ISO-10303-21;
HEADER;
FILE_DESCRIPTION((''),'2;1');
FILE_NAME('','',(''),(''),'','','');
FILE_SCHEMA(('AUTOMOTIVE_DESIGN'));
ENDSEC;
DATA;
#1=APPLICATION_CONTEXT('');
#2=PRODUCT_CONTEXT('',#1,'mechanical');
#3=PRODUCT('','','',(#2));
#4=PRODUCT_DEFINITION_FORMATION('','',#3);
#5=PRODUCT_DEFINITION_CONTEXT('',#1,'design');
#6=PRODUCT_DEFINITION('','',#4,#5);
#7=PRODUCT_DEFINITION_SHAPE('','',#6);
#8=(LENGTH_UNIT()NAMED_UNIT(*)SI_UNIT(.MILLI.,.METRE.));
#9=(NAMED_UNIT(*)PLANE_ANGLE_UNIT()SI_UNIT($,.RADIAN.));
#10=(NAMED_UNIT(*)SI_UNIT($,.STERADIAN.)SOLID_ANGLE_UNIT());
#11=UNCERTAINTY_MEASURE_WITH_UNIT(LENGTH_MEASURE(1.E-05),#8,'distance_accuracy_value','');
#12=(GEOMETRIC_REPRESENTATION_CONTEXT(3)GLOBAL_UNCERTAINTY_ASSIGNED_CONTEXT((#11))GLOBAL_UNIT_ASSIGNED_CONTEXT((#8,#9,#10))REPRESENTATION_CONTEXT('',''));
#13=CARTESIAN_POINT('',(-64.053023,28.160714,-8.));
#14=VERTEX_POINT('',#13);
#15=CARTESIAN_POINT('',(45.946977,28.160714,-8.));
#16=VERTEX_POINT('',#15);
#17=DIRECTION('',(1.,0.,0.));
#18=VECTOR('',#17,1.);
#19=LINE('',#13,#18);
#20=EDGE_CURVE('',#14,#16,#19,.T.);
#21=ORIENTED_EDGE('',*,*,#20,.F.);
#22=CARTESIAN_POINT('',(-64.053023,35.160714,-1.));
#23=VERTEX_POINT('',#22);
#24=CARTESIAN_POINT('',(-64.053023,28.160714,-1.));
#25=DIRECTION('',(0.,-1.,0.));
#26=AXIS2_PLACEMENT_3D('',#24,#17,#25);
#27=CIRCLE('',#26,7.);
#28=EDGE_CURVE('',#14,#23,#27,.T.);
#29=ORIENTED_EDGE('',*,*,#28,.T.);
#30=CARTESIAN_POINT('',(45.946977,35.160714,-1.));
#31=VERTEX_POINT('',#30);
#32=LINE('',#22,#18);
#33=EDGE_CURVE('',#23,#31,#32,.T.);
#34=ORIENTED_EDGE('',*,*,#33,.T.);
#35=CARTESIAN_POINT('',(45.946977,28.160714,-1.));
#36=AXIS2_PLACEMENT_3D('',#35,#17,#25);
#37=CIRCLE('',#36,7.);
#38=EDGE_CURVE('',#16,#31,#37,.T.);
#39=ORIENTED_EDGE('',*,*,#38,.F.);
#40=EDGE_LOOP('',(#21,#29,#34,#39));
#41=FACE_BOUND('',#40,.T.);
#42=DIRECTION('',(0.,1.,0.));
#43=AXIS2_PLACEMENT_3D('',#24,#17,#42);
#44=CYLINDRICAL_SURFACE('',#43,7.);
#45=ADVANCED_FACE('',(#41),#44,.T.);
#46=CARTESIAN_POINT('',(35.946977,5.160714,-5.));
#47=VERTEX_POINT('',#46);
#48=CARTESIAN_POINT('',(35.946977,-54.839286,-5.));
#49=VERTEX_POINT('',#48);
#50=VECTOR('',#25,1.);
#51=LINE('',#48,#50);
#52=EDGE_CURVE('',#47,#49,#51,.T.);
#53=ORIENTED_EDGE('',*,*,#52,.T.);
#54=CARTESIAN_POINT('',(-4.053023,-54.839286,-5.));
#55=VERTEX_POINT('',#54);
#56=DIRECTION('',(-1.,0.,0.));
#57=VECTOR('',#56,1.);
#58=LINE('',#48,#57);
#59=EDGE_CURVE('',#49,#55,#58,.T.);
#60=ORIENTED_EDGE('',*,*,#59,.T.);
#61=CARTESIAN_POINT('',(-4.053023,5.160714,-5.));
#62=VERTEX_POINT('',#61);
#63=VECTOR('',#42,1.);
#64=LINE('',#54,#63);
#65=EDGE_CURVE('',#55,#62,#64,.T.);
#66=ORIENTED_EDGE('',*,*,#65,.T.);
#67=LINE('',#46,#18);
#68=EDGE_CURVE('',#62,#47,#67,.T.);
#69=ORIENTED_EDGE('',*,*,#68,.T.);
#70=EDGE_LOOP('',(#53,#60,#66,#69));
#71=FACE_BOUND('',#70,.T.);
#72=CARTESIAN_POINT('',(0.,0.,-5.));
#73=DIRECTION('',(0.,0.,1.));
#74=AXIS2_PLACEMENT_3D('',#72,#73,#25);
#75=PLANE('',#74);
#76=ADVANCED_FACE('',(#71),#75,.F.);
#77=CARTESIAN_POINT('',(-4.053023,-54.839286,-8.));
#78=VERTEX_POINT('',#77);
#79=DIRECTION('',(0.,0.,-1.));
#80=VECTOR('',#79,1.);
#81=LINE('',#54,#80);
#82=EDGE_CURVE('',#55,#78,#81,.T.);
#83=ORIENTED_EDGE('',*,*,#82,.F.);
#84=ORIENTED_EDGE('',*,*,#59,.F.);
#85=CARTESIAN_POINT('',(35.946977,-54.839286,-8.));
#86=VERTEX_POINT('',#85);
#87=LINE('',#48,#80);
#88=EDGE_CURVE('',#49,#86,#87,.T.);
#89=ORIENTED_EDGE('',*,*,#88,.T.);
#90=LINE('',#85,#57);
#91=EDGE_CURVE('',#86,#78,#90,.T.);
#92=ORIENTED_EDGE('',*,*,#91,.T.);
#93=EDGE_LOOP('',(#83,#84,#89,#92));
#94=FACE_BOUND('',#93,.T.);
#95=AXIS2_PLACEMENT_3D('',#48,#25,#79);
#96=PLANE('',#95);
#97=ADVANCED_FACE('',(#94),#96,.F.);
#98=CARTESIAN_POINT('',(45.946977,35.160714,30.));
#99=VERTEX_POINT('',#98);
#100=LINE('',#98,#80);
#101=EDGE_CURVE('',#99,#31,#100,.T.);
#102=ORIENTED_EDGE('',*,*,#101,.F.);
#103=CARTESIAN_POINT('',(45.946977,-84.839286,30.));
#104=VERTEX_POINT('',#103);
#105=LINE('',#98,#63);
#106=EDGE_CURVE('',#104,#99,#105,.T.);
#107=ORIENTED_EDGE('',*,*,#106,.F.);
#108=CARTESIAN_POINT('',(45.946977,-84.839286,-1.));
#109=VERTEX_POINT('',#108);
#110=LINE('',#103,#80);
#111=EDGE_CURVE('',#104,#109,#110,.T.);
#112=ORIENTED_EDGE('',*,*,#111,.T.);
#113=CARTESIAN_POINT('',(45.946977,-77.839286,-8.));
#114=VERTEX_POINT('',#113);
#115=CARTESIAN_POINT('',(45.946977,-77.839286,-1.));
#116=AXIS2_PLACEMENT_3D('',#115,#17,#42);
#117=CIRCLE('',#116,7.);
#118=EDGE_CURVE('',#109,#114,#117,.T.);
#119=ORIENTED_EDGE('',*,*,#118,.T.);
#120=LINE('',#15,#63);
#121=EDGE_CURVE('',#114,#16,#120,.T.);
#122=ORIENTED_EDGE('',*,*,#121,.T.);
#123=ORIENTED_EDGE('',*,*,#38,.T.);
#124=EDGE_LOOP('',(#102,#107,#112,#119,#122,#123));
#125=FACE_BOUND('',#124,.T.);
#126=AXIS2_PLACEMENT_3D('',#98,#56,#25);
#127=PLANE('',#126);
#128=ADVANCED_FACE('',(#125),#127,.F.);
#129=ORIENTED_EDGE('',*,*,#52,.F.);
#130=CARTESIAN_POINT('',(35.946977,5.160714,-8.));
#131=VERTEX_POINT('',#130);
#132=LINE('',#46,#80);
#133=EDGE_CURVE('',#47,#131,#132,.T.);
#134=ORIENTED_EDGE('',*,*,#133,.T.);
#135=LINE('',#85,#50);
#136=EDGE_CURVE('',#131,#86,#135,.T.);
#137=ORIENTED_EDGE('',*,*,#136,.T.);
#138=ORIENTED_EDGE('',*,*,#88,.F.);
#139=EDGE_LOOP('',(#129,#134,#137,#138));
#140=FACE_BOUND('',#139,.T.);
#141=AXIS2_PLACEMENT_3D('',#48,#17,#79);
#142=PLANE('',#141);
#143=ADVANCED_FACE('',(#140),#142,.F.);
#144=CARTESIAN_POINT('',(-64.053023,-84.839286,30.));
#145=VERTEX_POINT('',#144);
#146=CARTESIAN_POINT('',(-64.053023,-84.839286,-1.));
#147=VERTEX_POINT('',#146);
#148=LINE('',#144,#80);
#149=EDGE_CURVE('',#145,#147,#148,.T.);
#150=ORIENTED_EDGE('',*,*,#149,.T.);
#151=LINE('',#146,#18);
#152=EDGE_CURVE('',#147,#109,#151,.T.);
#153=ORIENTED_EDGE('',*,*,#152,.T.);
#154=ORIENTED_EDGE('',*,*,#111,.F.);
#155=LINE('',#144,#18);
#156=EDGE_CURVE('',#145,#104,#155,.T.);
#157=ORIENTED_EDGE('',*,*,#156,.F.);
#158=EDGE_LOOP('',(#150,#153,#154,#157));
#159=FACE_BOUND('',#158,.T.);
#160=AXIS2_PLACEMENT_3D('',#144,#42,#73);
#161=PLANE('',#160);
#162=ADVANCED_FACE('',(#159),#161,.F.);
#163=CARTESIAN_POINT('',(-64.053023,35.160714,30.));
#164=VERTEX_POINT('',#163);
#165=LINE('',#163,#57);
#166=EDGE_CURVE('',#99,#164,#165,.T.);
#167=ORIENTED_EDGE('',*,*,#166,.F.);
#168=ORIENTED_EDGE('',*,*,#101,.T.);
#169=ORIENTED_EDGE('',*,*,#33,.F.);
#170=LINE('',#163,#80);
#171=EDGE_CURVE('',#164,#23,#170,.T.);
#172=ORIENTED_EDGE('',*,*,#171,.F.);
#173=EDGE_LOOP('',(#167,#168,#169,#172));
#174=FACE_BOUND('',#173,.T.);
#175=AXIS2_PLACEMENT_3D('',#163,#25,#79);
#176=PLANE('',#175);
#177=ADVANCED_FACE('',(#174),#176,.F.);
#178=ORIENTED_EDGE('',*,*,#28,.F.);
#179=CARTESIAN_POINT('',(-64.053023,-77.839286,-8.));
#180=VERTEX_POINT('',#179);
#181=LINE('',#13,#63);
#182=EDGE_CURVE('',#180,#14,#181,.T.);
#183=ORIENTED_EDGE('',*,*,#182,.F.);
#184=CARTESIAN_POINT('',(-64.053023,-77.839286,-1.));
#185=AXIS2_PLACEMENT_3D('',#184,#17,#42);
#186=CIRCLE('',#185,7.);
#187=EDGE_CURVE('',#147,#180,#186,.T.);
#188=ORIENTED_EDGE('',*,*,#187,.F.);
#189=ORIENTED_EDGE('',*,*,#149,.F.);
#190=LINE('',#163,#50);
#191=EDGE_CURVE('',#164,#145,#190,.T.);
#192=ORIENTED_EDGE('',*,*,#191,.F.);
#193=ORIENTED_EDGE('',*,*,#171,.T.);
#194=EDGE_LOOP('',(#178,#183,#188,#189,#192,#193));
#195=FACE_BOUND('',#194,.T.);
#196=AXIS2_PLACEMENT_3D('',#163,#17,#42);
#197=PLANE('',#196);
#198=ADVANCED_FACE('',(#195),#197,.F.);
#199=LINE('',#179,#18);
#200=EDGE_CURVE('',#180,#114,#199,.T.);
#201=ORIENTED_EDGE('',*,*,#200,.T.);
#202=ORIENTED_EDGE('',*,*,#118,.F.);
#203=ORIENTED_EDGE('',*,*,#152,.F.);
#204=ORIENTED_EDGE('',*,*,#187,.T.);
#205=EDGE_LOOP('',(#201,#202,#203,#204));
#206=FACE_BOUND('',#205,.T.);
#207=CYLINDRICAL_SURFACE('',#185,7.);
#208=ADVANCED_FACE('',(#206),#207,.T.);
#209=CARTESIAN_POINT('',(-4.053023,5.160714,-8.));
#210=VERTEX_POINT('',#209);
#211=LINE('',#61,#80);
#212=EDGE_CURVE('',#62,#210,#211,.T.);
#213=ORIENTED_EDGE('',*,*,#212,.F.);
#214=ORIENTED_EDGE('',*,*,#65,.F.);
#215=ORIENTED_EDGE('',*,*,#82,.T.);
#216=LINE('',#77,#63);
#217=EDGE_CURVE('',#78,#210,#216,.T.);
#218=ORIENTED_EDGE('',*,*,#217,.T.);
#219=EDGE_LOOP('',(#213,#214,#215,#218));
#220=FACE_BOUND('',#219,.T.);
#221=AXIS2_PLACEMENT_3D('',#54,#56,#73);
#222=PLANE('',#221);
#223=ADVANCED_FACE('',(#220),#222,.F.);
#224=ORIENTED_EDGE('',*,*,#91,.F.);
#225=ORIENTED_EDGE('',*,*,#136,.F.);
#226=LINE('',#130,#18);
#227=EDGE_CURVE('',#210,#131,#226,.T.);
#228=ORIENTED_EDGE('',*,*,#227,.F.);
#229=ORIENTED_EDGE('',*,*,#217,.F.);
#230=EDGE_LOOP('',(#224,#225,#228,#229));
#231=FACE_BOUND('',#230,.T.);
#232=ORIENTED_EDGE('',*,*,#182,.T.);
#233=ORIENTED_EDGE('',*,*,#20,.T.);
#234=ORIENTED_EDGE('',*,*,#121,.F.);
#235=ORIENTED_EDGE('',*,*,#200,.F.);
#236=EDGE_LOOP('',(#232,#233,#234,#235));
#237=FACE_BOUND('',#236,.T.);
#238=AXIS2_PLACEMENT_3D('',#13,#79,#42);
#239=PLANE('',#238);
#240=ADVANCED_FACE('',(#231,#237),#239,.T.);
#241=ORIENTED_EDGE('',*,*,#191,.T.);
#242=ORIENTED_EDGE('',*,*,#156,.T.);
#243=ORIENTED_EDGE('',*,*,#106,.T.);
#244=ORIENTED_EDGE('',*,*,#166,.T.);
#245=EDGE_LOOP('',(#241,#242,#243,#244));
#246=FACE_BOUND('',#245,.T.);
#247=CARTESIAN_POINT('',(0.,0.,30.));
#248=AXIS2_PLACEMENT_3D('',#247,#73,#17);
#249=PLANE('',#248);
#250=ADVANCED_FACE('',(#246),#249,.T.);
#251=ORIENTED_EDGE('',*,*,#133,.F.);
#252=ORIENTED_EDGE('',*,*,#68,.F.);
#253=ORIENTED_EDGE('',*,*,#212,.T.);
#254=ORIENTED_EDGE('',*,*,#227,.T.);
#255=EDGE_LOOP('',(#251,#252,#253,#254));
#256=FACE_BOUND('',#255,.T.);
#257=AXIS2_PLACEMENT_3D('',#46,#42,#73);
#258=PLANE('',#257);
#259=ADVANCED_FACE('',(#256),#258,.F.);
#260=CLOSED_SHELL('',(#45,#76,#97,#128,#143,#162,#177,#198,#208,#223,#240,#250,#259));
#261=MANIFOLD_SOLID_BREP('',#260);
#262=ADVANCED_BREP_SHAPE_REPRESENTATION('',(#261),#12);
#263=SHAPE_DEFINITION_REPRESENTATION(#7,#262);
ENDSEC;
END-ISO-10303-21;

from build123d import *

# Parameters (mm, degrees)
SKETCH_1_W          = 110
SKETCH_1_H          = 120
EXTRUDE_1_DEPTH     = 30
EXTRUDE_2_DEPTH     = 110
SKETCH_3_W          = 40
SKETCH_3_H          = 60
CUT_EXTRUDE_1_DEPTH = 3


with BuildPart() as part:
    # 스케치1 → 보스-돌출1 (new body)
    with BuildSketch(Plane.XY):
        with Locations((-9.053023491, -24.839285714)):
            Rectangle(SKETCH_1_W, SKETCH_1_H)
    extrude(amount=EXTRUDE_1_DEPTH)

    # 스케치2 → 보스-돌출2 (add)
    with BuildSketch(Plane(origin=(45.946976509, 0, 0), x_dir=(0, 0, -1), z_dir=(1, 0, 0))):
        with BuildLine():
            Line((0, 35.160714286), (1, 35.160714286))
            ThreePointArc((1, 35.160714286), (5.949747468, 33.110461754), (8, 28.160714286))
            Line((8, 28.160714286), (8, -77.839285714))
            ThreePointArc((8, -77.839285714), (5.949747468, -82.789033183), (1, -84.839285714))
            Line((1, -84.839285714), (0, -84.839285714))
            Line((0, -84.839285714), (0, 35.160714286))
        make_face()
    extrude(amount=-EXTRUDE_2_DEPTH)

    # 스케치3 → 컷-돌출1 (cut)
    with BuildSketch(Plane(origin=(0, 0, -8), x_dir=(-1, 0, 0), z_dir=(0, 0, -1))):
        with Locations((-15.946976509, -24.839285714)):
            Rectangle(SKETCH_3_W, SKETCH_3_H)
    extrude(amount=-CUT_EXTRUDE_1_DEPTH, mode=Mode.SUBTRACT)


solid = part.part
